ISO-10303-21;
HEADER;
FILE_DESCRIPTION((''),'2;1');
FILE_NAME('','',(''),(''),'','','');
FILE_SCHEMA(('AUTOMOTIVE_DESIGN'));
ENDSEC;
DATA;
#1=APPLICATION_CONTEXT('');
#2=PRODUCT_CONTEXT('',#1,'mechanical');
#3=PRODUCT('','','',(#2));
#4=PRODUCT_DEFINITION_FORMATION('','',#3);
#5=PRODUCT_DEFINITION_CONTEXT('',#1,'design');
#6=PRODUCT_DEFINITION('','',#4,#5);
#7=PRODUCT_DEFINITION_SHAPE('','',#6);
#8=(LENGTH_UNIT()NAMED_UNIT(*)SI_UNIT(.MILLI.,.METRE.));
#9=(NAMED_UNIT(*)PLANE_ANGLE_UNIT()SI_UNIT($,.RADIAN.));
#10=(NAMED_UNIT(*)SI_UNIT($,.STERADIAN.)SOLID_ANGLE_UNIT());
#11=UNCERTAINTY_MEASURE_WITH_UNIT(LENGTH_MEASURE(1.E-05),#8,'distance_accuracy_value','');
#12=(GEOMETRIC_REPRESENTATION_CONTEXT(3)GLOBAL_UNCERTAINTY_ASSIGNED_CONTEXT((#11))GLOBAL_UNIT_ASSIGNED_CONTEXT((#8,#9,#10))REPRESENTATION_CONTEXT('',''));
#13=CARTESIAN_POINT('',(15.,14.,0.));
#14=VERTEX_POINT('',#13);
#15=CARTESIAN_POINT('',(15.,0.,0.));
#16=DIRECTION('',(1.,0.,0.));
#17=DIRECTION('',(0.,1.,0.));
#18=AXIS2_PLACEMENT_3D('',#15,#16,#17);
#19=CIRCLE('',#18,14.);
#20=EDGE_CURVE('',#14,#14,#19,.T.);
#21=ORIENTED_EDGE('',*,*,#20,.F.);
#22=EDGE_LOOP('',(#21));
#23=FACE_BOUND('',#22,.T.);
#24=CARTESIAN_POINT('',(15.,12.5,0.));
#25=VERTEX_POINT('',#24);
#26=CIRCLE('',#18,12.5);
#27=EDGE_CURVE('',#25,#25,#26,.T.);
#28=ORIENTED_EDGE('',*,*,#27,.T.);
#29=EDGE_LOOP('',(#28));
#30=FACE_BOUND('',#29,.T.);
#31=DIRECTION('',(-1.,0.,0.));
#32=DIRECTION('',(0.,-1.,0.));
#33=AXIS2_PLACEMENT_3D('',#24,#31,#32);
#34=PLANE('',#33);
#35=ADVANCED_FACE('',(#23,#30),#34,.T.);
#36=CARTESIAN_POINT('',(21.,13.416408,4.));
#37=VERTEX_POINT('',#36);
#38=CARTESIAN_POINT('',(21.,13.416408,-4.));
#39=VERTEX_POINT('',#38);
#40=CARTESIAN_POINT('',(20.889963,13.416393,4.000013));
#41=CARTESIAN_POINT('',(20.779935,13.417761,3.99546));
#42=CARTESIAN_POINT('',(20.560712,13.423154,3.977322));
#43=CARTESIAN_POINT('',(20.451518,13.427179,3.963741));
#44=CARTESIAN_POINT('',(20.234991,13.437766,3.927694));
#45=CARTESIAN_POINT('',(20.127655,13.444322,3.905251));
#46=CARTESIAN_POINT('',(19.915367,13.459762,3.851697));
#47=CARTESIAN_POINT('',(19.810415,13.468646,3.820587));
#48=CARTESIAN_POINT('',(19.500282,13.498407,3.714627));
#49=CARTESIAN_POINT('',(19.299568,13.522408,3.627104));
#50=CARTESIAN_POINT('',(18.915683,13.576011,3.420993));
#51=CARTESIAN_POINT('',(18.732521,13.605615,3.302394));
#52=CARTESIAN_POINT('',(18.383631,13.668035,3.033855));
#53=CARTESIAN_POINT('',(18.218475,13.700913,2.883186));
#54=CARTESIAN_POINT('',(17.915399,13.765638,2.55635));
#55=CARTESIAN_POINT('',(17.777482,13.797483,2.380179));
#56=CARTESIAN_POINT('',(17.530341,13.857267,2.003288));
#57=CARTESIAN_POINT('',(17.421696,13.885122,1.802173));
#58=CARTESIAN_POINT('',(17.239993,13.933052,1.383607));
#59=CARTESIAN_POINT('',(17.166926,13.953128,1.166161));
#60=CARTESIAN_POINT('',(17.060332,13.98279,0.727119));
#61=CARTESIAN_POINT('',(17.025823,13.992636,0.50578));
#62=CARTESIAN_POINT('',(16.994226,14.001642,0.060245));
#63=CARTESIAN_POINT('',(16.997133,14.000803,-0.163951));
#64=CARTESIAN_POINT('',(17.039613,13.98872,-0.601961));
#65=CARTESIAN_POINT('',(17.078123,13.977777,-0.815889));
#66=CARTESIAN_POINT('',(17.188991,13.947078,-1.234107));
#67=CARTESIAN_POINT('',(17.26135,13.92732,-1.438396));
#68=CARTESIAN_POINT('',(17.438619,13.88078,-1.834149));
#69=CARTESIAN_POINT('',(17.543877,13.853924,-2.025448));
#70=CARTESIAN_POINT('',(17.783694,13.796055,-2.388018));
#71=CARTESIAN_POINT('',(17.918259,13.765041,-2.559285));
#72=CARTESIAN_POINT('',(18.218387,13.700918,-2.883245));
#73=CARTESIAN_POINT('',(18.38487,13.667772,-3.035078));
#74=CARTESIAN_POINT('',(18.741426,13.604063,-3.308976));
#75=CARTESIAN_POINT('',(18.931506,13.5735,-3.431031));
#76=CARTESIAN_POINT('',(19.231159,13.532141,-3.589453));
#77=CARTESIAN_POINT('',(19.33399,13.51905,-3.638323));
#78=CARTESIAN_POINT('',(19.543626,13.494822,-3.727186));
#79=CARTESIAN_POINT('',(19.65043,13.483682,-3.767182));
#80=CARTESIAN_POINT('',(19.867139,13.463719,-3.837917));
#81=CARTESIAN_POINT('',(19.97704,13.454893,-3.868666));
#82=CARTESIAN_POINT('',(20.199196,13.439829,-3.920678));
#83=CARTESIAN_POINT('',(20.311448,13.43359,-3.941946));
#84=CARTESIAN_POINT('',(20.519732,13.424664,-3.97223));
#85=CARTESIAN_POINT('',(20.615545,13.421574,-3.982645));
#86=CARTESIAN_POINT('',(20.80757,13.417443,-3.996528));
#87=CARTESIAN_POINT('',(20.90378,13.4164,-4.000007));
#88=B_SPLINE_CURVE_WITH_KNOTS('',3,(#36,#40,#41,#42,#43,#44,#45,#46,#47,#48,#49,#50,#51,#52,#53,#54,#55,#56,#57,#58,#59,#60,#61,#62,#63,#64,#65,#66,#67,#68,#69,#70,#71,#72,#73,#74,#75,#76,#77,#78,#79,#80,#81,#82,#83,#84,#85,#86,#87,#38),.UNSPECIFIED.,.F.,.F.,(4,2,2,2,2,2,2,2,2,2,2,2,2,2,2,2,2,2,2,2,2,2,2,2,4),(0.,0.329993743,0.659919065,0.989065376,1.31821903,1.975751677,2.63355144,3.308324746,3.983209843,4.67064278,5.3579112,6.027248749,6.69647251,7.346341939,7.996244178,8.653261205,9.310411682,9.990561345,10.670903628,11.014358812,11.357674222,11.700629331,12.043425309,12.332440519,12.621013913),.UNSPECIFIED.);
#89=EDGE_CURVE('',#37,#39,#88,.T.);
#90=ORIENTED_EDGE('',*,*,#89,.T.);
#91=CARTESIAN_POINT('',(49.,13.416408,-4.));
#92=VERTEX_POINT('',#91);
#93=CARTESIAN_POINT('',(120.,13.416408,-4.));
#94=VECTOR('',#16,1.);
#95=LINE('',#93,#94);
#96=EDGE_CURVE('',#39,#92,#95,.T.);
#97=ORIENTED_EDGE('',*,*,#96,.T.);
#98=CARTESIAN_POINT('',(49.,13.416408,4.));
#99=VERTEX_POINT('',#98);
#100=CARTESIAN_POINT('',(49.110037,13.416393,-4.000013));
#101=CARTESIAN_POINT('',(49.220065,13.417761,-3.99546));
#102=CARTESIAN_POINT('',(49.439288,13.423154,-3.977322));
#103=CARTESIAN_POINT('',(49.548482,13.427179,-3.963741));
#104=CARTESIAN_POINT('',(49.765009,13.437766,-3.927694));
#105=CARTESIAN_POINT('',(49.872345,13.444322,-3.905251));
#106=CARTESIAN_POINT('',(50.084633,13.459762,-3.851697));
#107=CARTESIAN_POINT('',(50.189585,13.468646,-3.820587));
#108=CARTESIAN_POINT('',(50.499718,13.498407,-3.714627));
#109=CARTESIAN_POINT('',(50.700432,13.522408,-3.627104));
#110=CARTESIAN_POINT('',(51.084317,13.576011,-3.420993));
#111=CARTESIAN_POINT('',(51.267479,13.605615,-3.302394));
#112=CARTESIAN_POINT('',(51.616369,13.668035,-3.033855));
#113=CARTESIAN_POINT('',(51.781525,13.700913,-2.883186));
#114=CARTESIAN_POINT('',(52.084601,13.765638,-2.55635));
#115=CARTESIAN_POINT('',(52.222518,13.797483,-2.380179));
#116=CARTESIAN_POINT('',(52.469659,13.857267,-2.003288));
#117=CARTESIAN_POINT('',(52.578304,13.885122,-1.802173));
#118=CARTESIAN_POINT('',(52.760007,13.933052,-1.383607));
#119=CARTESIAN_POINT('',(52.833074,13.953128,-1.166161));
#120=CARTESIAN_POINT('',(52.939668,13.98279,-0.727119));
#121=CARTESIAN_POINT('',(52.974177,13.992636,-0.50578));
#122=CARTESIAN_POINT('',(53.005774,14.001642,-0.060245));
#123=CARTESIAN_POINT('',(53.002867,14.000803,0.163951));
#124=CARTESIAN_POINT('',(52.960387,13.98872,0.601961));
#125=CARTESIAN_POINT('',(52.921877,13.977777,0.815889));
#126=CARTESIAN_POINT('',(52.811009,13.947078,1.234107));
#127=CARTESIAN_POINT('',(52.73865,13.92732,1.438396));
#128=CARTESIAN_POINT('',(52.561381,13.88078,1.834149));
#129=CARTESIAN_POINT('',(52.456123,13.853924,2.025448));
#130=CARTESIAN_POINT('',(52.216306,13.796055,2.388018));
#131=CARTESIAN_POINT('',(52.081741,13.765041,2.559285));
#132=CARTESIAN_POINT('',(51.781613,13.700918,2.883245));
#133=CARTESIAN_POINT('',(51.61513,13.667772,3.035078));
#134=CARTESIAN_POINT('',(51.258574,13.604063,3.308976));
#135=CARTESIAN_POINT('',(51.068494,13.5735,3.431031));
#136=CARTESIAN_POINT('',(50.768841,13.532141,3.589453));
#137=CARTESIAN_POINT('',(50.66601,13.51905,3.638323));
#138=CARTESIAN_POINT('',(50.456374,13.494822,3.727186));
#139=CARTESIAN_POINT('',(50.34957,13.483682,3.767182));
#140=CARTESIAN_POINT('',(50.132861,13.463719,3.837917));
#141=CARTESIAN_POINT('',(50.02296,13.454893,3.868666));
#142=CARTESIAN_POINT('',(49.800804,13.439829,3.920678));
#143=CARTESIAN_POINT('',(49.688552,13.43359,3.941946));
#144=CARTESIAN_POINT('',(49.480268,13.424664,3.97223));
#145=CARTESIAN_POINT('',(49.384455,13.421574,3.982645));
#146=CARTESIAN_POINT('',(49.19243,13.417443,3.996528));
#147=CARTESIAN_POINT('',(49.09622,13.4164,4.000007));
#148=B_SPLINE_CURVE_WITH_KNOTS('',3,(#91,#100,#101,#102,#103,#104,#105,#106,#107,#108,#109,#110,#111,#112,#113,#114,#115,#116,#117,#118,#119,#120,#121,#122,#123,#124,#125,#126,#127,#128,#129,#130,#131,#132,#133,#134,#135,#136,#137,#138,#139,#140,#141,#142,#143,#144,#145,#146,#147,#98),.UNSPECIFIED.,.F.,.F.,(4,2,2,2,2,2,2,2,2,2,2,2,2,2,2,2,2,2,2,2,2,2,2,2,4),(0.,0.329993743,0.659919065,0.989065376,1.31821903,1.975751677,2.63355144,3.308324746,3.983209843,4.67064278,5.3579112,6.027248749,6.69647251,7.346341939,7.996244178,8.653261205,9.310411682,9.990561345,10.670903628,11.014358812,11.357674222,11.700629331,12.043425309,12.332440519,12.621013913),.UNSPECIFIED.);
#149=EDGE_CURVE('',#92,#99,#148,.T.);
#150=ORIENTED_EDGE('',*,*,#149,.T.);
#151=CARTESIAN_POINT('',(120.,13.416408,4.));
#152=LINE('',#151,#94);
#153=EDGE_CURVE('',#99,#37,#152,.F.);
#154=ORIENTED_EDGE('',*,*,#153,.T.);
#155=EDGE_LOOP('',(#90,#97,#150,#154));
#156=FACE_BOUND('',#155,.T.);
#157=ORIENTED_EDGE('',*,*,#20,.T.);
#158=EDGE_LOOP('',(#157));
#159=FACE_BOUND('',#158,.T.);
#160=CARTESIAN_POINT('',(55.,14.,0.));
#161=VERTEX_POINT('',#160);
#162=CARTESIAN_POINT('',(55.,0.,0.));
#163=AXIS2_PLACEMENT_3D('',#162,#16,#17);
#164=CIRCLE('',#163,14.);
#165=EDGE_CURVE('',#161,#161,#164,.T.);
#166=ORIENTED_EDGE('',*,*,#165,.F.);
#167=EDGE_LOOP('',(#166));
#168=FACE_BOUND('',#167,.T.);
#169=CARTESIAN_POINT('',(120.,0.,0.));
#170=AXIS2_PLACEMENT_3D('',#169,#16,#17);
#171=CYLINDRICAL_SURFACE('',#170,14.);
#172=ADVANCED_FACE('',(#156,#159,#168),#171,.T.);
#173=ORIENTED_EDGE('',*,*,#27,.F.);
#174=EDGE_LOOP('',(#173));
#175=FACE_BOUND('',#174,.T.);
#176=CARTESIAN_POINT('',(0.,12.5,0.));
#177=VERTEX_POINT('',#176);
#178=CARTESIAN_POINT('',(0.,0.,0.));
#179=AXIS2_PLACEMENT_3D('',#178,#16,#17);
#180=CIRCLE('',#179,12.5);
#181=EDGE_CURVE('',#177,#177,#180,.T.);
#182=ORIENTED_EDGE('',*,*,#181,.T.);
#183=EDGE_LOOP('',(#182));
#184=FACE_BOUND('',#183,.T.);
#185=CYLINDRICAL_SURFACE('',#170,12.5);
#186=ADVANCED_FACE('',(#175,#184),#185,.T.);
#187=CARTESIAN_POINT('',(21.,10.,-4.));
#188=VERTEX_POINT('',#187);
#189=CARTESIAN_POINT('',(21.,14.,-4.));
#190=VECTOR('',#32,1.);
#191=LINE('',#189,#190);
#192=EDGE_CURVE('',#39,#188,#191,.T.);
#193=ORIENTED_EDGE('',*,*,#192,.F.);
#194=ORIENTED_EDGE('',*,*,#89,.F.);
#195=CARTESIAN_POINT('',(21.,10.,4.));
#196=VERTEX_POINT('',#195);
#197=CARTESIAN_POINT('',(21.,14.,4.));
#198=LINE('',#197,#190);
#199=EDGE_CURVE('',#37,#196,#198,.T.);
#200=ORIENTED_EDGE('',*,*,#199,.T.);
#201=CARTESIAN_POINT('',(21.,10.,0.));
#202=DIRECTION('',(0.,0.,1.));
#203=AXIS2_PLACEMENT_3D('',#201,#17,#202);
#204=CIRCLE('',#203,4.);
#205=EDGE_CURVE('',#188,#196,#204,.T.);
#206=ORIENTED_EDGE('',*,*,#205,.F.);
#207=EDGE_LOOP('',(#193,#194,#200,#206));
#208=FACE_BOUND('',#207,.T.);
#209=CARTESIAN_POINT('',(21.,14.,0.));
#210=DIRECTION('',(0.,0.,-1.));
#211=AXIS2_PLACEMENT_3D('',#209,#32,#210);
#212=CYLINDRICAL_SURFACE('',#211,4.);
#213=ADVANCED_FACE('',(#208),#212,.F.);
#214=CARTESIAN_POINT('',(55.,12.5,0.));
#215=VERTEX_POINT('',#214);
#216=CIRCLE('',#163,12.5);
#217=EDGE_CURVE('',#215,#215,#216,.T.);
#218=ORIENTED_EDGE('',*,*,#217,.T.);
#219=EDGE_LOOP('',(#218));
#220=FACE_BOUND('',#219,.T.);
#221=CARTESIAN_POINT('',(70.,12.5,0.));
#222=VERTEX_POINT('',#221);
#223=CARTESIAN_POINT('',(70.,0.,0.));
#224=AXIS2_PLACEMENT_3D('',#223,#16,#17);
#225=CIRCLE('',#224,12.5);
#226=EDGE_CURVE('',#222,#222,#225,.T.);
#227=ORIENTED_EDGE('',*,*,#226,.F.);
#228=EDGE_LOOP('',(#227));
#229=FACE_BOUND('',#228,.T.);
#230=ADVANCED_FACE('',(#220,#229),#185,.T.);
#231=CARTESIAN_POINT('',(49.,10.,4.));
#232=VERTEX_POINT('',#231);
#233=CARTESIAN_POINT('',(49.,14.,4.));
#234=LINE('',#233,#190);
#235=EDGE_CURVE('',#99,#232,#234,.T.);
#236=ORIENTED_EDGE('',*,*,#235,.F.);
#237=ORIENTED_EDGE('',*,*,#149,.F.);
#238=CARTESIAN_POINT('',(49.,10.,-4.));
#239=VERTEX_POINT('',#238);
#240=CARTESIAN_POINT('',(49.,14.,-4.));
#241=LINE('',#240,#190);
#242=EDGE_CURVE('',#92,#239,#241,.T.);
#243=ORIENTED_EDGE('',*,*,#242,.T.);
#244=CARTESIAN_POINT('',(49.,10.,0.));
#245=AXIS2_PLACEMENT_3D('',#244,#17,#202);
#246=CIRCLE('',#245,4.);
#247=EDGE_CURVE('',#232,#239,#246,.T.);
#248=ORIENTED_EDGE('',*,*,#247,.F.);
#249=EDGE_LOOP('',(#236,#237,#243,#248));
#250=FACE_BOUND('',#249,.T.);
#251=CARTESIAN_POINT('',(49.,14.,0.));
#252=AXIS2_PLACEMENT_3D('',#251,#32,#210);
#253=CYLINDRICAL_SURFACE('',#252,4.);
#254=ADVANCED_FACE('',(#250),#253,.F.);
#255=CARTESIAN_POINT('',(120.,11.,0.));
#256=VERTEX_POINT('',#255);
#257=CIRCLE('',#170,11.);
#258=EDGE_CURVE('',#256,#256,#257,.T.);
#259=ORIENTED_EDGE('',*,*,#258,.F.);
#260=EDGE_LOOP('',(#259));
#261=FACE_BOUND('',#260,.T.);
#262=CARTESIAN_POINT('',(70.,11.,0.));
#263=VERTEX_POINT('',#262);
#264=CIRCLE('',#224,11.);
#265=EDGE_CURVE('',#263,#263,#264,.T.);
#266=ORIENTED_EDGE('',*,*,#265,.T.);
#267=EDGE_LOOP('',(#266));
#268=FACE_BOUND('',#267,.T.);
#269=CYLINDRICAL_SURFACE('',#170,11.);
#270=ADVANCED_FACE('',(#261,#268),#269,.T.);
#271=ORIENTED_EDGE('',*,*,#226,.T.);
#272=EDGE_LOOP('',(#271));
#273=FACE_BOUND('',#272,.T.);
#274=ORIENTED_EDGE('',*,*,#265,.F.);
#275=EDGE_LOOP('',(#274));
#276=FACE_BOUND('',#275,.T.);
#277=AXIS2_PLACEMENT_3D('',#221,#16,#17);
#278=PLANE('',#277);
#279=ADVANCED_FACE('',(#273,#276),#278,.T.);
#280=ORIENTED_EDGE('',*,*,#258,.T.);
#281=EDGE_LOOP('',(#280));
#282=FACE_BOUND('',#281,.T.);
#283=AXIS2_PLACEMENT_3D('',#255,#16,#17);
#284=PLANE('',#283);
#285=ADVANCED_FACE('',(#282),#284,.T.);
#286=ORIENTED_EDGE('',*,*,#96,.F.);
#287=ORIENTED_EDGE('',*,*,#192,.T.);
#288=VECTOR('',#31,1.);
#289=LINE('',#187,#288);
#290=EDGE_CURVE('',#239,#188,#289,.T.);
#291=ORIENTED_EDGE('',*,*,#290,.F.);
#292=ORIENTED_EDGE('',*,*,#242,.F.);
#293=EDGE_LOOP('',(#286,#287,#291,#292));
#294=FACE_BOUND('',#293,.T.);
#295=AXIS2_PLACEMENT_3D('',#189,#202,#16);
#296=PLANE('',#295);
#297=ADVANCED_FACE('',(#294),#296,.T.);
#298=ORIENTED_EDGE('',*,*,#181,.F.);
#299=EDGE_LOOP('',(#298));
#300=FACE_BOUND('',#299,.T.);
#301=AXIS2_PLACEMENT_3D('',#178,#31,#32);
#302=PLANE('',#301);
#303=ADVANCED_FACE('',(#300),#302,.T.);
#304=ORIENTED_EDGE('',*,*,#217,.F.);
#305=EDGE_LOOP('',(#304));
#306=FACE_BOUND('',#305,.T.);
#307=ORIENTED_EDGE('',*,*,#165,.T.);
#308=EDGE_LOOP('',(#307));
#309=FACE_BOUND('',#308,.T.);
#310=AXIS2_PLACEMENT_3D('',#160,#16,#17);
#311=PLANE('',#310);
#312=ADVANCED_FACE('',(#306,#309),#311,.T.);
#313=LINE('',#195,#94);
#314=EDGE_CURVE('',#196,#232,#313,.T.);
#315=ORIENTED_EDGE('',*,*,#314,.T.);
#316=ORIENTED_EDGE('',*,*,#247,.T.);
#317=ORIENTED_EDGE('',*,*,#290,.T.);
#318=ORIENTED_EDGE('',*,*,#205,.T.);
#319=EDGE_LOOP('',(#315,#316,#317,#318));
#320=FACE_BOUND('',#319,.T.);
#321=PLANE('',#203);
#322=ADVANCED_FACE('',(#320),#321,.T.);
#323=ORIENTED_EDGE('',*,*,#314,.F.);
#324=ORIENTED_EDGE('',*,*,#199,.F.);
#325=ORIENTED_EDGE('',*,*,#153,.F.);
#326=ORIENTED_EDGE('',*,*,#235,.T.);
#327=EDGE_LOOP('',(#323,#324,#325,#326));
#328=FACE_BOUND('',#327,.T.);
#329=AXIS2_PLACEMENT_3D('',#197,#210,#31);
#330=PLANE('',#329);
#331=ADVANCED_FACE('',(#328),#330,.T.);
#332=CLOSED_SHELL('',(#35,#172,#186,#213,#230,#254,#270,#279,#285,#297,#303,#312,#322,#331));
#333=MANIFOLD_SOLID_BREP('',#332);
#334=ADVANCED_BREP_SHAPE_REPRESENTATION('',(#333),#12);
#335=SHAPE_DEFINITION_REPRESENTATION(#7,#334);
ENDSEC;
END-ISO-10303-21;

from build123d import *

# Parameters (mm, degrees)
CUT_EXTRUDE_START   = 10
CUT_EXTRUDE_1_DEPTH = 112.622366364


with BuildPart() as part:
    # Эскиз1 → Повернуть1 (revolve)
    with BuildSketch(Plane.XY):
        Polygon((0, 0), (0, 12.5), (15, 12.5), (15, 14), (55, 14), (55, 12.5), (70, 12.5), (70, 11), (120, 11), (120, 0), align=None)
    revolve(axis=Axis((120, 0, 0), (-1, 0, 0)))

    # Эскиз3 → Вырез-Вытянуть1 (cut, through all)
    with BuildSketch(Plane(origin=(0, 0, 0), x_dir=(1, 0, 0), z_dir=(0, 1, 0)).offset(CUT_EXTRUDE_START)):
        with BuildLine():
            Line((21, 4), (49, 4))
            ThreePointArc((49, 4), (53, 0), (49, -4))
            Line((49, -4), (21, -4))
            ThreePointArc((21, -4), (17, 0), (21, 4))
        make_face()
    extrude(amount=CUT_EXTRUDE_1_DEPTH, mode=Mode.SUBTRACT)


solid = part.part
